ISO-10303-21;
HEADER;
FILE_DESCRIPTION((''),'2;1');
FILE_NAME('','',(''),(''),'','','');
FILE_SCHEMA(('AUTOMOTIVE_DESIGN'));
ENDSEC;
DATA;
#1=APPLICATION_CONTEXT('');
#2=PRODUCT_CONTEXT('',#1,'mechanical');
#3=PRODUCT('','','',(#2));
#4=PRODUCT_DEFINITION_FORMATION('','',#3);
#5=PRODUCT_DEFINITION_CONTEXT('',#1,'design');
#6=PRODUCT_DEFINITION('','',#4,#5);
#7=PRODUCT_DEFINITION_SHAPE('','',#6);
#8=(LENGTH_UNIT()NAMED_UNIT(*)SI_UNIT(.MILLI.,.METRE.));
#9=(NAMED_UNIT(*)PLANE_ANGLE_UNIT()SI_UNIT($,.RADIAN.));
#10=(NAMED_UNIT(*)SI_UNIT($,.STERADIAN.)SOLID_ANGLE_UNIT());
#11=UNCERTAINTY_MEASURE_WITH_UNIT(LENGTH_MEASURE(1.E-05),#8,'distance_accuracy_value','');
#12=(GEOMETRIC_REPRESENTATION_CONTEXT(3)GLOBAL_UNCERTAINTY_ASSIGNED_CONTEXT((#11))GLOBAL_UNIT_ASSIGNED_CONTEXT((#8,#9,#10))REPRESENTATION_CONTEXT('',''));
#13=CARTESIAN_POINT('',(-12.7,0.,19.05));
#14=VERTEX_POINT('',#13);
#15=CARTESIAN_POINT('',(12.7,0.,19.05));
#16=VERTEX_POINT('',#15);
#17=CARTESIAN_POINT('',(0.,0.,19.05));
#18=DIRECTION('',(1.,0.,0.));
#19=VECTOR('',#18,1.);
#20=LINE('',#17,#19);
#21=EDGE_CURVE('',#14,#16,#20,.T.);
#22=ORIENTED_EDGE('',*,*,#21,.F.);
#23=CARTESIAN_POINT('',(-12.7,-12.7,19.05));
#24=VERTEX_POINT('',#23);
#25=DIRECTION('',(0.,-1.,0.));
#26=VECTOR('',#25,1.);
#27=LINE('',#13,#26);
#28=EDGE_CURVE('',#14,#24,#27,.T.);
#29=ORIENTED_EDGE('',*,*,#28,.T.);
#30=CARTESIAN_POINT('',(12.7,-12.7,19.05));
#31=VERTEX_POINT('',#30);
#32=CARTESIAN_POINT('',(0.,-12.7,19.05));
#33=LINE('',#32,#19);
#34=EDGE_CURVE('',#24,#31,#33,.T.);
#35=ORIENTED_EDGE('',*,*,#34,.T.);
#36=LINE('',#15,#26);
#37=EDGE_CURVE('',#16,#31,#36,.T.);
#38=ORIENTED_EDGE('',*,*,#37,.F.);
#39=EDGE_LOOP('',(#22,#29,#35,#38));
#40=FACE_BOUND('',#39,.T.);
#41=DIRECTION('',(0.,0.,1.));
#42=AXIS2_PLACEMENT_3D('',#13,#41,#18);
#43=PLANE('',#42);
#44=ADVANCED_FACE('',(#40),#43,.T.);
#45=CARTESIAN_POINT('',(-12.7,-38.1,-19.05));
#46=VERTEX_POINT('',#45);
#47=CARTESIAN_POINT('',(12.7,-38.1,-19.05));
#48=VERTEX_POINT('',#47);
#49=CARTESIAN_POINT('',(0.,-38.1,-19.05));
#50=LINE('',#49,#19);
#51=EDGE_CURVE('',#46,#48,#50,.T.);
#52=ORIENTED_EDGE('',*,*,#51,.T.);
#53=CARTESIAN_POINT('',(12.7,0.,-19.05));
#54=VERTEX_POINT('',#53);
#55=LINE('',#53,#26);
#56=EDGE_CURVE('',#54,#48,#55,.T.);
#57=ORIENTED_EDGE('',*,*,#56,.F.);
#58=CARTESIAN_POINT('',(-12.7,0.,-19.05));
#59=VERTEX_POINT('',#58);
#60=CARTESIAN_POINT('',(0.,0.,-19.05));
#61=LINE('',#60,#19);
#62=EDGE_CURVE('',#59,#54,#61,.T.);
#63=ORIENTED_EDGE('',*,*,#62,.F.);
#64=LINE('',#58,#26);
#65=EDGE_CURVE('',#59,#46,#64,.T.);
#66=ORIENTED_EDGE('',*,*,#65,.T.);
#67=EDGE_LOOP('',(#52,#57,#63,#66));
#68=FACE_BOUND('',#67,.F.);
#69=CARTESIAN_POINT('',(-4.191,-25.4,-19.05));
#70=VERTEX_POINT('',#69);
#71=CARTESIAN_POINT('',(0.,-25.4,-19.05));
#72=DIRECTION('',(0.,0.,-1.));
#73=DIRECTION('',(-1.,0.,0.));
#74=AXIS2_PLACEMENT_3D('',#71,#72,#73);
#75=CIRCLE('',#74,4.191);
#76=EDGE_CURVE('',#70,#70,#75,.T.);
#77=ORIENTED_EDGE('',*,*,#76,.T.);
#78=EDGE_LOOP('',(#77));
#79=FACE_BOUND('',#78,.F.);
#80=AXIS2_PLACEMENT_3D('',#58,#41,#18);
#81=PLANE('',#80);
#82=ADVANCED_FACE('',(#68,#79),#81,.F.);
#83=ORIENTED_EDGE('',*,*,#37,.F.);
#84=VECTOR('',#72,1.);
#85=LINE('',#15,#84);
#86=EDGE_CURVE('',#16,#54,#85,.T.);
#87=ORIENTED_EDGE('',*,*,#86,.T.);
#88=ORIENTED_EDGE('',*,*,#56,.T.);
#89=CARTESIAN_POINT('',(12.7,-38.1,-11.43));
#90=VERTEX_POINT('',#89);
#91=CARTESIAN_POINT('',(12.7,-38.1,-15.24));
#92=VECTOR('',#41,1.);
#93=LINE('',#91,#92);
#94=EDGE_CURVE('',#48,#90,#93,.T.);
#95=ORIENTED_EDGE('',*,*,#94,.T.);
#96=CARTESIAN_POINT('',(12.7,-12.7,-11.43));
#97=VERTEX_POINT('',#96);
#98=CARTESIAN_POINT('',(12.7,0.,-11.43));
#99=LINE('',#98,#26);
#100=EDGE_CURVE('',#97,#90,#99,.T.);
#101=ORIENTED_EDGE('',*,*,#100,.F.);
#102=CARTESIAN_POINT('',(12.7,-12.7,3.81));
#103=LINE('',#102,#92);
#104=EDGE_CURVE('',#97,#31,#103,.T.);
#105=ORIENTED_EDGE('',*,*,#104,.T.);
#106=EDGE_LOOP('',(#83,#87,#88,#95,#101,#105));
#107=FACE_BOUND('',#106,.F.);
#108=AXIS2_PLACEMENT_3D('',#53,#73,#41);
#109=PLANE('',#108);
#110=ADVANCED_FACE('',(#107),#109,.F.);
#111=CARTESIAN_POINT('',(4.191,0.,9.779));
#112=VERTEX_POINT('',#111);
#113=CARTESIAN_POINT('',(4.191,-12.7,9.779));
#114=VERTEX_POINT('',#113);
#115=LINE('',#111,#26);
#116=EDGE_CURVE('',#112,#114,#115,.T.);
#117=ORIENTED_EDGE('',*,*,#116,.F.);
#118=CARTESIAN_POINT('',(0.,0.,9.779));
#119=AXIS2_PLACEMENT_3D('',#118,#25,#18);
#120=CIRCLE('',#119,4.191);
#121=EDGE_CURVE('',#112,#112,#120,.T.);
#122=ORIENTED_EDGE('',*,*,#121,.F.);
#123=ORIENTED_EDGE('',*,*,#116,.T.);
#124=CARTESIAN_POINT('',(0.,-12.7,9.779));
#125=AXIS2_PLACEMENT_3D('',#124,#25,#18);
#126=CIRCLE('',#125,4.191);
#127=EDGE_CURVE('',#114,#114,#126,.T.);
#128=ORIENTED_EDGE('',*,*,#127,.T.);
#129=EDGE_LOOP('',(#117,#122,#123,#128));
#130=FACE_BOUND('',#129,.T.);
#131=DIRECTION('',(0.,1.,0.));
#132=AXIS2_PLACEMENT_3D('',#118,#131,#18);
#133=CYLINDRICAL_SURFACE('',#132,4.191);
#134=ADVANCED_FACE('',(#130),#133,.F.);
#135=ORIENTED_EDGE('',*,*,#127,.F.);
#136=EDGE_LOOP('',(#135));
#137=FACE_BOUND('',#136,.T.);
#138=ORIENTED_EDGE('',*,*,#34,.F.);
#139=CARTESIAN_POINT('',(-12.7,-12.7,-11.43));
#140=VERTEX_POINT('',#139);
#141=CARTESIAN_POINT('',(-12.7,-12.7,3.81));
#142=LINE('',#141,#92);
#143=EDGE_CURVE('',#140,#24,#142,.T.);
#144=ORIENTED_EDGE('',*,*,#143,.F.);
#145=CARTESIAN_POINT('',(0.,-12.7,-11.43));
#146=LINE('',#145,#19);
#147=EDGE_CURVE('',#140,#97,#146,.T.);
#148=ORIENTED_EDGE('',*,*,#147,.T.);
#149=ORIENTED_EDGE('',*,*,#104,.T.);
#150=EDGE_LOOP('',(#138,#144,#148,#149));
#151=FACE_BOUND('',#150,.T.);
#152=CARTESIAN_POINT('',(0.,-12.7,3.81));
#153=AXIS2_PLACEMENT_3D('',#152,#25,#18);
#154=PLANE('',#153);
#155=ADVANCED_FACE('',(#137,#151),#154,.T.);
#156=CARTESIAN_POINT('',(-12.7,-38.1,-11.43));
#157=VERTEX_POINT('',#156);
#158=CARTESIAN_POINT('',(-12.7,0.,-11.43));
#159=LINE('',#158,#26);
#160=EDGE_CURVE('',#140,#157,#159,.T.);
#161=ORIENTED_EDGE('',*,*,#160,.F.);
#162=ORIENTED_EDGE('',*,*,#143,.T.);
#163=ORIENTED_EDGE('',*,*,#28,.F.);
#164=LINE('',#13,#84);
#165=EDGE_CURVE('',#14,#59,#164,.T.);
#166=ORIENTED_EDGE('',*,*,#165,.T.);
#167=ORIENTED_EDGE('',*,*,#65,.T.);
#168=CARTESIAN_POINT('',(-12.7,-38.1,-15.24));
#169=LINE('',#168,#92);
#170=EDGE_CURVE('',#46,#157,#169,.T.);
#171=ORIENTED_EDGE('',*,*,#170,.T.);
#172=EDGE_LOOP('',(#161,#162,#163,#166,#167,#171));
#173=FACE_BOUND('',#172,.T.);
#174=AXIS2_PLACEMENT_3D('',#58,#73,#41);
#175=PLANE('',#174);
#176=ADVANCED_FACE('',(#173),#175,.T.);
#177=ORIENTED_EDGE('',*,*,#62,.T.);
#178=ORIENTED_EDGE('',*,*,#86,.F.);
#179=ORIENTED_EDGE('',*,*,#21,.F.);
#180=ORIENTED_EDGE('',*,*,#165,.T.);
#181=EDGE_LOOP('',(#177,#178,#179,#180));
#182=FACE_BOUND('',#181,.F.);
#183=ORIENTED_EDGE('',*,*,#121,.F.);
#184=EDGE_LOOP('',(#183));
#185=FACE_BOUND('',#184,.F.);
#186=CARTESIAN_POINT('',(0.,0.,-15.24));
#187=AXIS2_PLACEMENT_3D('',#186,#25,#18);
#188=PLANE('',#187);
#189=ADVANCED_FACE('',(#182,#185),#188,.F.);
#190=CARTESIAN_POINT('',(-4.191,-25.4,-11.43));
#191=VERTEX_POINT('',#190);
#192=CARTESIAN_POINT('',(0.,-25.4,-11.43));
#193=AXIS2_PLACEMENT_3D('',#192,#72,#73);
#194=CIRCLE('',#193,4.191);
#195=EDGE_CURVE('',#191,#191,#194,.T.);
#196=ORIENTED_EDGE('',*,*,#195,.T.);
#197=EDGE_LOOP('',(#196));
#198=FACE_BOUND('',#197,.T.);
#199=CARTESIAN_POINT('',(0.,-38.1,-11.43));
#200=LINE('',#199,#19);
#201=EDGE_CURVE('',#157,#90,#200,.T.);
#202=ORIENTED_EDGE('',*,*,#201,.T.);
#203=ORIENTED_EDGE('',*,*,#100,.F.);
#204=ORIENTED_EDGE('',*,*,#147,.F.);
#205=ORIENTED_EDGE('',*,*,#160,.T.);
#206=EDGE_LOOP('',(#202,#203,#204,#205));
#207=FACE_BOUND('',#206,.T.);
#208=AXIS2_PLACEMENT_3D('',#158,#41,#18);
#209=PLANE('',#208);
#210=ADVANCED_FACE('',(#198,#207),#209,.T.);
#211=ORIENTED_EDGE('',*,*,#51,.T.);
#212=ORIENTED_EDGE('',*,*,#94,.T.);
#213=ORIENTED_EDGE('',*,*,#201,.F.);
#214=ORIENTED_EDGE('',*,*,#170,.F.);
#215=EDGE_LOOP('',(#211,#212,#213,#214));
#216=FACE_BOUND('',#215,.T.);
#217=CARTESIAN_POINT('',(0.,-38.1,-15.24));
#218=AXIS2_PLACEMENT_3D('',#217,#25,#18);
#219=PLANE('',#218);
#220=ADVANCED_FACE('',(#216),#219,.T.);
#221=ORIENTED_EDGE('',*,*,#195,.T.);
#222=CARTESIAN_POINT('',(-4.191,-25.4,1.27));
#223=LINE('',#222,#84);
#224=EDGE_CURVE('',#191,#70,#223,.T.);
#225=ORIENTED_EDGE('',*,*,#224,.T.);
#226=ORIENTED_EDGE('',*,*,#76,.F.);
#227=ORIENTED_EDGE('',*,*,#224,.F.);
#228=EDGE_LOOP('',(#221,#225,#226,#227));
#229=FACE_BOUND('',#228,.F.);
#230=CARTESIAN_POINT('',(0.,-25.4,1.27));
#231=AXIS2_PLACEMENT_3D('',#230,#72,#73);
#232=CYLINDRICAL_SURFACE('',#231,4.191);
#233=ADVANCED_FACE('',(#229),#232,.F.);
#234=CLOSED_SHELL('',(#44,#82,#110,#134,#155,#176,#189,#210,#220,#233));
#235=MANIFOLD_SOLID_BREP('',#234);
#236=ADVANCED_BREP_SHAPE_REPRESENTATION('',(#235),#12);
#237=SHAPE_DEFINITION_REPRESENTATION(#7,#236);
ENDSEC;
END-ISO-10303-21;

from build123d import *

# Parameters (mm, degrees)
F0_W     = 25.4
F0_H     = 30.48
F0_R     = 4.191
F1_DEPTH = 12.7
F0_H_2   = 7.62
F2_DEPTH = 38.1
F4_D     = 8.382
F4_DEPTH = 12.7


with BuildPart() as f1:
    # F0 (on Front) → F1 (new body)
    with BuildSketch(Plane.XZ):
        with Locations((0, 3.81)):
            Rectangle(F0_W, F0_H)
        with Locations((0, 9.779)):
            Circle(F0_R, mode=Mode.SUBTRACT)
    extrude(amount=F1_DEPTH)

    # F0 (on Front) → F2 (join)
    with BuildSketch(Plane.XZ):
        with Locations((0, -15.24)):
            Rectangle(F0_W, F0_H_2)
    extrude(amount=F2_DEPTH)

    # F4
    with Locations(Plane.XY.offset(-11.43)):
        with Locations((0, -25.4)):
            Hole(F4_D / 2, depth=F4_DEPTH)


solid = f1.part
